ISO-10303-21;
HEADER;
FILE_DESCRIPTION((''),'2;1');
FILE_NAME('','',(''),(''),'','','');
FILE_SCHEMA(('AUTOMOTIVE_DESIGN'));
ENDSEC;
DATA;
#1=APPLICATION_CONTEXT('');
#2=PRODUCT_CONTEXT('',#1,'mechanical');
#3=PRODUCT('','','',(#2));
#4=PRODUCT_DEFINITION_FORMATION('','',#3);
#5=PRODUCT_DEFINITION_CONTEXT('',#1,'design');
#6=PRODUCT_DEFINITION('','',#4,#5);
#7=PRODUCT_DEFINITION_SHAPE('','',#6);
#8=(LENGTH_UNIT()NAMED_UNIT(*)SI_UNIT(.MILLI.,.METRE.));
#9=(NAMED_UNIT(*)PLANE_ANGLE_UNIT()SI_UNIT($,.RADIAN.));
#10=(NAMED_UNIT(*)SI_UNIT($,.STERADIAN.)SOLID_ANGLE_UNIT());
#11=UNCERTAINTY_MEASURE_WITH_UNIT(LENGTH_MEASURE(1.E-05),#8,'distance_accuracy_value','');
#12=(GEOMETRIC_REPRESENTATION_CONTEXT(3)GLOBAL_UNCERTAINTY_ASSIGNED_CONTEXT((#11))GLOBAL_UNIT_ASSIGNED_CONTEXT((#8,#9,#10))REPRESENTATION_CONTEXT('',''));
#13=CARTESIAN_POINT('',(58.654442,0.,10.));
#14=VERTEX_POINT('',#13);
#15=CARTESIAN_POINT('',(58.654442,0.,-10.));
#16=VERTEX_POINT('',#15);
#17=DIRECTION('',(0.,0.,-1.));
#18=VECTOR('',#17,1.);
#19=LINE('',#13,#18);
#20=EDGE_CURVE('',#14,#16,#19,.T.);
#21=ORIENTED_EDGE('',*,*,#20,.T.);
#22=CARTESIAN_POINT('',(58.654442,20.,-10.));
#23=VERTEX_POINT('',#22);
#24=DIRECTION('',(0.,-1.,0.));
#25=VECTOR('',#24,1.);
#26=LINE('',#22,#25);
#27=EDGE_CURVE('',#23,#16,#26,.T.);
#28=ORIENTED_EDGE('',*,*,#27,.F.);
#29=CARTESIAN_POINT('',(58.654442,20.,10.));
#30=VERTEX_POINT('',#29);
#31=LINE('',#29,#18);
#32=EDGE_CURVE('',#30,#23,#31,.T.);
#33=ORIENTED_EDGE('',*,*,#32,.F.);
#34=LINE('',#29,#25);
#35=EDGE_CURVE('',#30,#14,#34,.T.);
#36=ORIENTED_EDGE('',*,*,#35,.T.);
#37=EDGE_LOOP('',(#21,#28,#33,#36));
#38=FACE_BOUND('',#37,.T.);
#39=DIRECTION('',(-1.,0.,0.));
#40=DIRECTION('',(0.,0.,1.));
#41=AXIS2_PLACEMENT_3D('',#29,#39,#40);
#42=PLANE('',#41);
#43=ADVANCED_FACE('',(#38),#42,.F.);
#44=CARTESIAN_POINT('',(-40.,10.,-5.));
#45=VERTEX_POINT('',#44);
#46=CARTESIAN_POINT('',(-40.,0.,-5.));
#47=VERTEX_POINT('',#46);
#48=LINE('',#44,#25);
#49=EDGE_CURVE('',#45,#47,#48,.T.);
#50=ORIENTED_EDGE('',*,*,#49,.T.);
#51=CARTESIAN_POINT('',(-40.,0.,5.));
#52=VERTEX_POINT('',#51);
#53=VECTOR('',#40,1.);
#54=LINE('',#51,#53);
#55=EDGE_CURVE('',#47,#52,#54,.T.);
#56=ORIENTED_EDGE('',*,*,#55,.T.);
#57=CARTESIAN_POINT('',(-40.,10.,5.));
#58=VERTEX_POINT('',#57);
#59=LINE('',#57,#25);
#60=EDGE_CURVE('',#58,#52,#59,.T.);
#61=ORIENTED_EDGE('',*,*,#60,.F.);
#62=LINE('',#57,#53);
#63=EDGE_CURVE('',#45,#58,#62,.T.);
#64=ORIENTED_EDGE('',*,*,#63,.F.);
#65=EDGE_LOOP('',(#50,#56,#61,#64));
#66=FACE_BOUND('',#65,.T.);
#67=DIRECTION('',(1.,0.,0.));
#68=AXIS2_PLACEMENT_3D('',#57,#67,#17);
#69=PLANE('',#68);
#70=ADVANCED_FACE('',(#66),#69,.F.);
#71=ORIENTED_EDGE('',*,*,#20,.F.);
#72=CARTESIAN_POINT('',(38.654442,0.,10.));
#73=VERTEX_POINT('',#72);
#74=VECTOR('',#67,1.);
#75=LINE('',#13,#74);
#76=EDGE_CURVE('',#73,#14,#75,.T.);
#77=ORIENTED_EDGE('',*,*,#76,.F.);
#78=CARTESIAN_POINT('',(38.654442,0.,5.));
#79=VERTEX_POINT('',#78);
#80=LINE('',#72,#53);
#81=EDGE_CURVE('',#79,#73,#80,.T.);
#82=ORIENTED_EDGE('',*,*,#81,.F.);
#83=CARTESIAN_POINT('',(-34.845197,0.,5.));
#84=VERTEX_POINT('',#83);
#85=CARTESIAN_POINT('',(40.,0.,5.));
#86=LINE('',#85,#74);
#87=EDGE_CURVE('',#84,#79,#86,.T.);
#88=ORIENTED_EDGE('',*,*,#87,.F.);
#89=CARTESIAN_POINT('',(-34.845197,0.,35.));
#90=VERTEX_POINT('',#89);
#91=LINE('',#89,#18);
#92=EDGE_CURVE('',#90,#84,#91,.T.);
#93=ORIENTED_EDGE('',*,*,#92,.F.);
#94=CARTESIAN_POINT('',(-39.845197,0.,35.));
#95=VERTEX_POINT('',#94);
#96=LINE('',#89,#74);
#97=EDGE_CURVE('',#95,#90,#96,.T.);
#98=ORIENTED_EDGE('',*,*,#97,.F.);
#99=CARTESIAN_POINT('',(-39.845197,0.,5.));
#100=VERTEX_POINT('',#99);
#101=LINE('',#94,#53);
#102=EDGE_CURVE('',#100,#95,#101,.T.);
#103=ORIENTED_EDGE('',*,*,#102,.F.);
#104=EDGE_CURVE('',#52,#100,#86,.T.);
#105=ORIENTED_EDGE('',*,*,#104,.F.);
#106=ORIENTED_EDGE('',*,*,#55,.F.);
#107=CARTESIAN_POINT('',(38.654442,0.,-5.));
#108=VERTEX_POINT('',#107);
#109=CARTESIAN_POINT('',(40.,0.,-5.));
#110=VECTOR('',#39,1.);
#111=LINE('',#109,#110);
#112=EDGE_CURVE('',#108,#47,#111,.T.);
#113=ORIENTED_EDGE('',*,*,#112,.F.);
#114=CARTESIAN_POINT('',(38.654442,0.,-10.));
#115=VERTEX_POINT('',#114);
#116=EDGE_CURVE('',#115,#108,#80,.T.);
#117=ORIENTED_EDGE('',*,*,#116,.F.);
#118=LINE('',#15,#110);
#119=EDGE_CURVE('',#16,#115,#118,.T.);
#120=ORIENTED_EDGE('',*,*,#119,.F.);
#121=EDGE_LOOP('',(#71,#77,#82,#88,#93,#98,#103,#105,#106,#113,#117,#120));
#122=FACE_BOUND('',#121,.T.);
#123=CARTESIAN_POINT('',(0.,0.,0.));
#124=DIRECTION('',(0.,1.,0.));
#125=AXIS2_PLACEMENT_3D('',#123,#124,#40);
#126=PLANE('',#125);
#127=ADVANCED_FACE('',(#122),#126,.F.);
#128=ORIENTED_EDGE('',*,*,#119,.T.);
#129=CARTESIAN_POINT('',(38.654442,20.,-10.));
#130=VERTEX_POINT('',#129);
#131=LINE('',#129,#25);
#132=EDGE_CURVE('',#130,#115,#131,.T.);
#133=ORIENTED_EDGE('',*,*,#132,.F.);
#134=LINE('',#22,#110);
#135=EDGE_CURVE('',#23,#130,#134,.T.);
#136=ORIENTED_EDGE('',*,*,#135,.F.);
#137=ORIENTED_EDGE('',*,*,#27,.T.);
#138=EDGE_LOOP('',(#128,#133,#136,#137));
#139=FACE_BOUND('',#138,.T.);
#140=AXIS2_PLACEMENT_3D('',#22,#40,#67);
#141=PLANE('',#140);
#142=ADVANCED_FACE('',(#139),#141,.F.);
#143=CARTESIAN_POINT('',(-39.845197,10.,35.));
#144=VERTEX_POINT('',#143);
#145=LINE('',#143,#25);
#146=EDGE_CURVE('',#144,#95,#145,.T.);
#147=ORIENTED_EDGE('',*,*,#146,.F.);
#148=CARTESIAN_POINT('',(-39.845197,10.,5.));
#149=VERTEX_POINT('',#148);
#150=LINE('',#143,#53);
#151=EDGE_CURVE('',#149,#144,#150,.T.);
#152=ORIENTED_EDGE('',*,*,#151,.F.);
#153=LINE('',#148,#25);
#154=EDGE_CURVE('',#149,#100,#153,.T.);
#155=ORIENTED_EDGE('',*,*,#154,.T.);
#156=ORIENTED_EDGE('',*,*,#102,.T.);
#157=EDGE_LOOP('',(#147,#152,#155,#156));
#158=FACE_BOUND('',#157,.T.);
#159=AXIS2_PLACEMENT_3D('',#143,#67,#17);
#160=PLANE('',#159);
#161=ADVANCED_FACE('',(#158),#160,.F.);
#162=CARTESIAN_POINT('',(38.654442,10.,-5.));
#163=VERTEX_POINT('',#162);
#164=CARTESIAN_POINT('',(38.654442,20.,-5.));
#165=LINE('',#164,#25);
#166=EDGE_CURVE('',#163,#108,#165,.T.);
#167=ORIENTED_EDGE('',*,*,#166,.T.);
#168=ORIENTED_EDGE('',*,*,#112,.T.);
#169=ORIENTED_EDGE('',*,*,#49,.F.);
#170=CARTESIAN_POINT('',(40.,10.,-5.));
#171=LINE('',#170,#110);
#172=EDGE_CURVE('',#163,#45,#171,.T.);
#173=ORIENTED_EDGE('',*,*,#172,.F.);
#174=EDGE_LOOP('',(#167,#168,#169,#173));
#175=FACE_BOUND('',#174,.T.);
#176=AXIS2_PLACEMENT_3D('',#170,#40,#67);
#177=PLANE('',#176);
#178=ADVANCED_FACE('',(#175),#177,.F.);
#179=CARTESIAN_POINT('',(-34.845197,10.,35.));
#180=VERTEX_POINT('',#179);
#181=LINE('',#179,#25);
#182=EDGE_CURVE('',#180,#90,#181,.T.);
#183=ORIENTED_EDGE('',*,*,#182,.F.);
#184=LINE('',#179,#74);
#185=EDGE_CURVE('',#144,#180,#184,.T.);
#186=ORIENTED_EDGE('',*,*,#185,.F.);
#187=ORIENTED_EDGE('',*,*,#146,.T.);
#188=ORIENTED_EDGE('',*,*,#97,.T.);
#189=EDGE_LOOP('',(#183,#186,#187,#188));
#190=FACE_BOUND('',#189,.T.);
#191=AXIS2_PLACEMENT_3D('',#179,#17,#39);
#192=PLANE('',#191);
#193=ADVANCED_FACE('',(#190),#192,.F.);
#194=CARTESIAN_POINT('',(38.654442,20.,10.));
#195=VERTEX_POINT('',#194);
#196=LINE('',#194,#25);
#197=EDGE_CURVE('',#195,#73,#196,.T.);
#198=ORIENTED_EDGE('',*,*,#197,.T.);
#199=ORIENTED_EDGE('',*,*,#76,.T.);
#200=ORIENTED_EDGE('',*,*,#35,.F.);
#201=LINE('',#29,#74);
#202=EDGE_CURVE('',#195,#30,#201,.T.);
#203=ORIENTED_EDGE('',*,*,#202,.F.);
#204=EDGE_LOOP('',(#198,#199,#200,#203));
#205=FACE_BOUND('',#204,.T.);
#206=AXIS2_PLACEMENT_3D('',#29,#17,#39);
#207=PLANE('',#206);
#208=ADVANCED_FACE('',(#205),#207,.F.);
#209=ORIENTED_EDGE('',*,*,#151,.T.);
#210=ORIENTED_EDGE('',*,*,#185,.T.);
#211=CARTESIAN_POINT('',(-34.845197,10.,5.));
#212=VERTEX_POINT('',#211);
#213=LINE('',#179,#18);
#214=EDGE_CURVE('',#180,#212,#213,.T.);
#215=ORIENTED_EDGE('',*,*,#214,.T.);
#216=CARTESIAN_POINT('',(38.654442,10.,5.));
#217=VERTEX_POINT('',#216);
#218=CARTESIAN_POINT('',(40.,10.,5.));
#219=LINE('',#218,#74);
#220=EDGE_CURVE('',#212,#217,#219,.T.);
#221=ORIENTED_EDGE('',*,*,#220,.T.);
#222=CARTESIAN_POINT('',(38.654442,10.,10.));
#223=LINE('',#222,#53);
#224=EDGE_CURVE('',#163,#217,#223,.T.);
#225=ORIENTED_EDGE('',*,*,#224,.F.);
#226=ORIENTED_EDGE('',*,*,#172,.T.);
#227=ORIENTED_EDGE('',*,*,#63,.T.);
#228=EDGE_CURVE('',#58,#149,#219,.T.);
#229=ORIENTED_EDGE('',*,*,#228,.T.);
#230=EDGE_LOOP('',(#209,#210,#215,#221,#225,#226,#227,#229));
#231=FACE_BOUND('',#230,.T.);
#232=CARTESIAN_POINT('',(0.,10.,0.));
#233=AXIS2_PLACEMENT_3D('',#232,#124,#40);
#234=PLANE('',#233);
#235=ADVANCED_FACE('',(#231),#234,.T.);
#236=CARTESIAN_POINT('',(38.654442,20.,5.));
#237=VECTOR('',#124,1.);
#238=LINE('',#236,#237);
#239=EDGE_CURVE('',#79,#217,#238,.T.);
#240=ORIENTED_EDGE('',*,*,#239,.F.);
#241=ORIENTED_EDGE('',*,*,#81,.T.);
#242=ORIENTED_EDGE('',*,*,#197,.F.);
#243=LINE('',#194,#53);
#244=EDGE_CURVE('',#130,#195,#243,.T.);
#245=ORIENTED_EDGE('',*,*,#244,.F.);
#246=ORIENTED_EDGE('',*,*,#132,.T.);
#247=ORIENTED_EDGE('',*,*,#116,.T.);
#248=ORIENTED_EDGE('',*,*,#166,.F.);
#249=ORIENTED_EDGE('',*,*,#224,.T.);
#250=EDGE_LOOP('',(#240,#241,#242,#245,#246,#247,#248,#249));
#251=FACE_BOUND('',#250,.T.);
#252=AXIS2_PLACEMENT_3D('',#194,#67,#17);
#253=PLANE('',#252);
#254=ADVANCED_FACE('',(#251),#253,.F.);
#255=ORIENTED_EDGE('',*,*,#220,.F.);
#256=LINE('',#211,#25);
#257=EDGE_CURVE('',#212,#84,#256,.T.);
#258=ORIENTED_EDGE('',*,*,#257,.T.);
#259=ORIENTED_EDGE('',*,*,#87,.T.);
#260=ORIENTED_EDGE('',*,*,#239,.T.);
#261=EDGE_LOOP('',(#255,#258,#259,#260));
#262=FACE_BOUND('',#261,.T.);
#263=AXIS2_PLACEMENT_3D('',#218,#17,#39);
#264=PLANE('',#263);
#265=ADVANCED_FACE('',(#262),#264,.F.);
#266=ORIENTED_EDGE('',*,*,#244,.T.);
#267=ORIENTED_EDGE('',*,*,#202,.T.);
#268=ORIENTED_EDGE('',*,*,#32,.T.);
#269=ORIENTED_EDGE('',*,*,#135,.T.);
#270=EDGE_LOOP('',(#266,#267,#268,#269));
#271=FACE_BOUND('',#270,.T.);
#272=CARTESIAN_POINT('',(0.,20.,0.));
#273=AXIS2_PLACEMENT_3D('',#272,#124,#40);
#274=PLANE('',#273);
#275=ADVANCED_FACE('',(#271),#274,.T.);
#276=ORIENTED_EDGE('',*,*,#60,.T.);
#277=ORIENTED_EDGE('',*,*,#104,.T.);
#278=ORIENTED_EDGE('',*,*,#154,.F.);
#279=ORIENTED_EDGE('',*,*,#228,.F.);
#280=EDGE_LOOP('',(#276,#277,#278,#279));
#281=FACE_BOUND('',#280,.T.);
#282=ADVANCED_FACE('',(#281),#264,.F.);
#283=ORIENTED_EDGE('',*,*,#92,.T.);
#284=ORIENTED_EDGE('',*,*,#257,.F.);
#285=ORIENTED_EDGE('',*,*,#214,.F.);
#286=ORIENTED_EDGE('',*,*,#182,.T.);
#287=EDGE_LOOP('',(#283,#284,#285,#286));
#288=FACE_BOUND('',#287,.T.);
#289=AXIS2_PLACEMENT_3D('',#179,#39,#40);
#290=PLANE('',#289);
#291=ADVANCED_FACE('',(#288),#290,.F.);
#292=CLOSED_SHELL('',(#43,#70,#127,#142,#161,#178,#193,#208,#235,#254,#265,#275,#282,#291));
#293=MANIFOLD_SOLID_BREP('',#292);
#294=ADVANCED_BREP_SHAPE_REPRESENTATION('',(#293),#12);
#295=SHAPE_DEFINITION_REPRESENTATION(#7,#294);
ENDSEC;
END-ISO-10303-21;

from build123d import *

# Parameters (mm, degrees)
SKETCH3_W           = 20
SKETCH3_H           = 20
BOSS_EXTRUDE2_DEPTH = 20
SKETCH1_W           = 80
SKETCH1_H           = 10
BOSS_EXTRUDE3_DEPTH = 10
SKETCH6_W           = 5
SKETCH6_H           = 30
BOSS_EXTRUDE4_DEPTH = 10


with BuildPart() as part:
    # Sketch3 → Boss-Extrude2 (new body)
    with BuildSketch(Plane(origin=(0, 0, 0), x_dir=(1, 0, 0), z_dir=(0, 1, 0))):
        with Locations((48.654441815, 0)):
            Rectangle(SKETCH3_W, SKETCH3_H)
    extrude(amount=BOSS_EXTRUDE2_DEPTH)

    # Sketch1 → Boss-Extrude3 (add)
    with BuildSketch(Plane(origin=(0, 0, 0), x_dir=(1, 0, 0), z_dir=(0, 1, 0))):
        Rectangle(SKETCH1_W, SKETCH1_H)
    extrude(amount=BOSS_EXTRUDE3_DEPTH)

    # Sketch6 → Boss-Extrude4 (add)
    with BuildSketch(Plane(origin=(0, 0, 0), x_dir=(1, 0, 0), z_dir=(0, 1, 0))):
        with Locations((-37.345197049, -20)):
            Rectangle(SKETCH6_W, SKETCH6_H)
    extrude(amount=BOSS_EXTRUDE4_DEPTH)


solid = part.part
